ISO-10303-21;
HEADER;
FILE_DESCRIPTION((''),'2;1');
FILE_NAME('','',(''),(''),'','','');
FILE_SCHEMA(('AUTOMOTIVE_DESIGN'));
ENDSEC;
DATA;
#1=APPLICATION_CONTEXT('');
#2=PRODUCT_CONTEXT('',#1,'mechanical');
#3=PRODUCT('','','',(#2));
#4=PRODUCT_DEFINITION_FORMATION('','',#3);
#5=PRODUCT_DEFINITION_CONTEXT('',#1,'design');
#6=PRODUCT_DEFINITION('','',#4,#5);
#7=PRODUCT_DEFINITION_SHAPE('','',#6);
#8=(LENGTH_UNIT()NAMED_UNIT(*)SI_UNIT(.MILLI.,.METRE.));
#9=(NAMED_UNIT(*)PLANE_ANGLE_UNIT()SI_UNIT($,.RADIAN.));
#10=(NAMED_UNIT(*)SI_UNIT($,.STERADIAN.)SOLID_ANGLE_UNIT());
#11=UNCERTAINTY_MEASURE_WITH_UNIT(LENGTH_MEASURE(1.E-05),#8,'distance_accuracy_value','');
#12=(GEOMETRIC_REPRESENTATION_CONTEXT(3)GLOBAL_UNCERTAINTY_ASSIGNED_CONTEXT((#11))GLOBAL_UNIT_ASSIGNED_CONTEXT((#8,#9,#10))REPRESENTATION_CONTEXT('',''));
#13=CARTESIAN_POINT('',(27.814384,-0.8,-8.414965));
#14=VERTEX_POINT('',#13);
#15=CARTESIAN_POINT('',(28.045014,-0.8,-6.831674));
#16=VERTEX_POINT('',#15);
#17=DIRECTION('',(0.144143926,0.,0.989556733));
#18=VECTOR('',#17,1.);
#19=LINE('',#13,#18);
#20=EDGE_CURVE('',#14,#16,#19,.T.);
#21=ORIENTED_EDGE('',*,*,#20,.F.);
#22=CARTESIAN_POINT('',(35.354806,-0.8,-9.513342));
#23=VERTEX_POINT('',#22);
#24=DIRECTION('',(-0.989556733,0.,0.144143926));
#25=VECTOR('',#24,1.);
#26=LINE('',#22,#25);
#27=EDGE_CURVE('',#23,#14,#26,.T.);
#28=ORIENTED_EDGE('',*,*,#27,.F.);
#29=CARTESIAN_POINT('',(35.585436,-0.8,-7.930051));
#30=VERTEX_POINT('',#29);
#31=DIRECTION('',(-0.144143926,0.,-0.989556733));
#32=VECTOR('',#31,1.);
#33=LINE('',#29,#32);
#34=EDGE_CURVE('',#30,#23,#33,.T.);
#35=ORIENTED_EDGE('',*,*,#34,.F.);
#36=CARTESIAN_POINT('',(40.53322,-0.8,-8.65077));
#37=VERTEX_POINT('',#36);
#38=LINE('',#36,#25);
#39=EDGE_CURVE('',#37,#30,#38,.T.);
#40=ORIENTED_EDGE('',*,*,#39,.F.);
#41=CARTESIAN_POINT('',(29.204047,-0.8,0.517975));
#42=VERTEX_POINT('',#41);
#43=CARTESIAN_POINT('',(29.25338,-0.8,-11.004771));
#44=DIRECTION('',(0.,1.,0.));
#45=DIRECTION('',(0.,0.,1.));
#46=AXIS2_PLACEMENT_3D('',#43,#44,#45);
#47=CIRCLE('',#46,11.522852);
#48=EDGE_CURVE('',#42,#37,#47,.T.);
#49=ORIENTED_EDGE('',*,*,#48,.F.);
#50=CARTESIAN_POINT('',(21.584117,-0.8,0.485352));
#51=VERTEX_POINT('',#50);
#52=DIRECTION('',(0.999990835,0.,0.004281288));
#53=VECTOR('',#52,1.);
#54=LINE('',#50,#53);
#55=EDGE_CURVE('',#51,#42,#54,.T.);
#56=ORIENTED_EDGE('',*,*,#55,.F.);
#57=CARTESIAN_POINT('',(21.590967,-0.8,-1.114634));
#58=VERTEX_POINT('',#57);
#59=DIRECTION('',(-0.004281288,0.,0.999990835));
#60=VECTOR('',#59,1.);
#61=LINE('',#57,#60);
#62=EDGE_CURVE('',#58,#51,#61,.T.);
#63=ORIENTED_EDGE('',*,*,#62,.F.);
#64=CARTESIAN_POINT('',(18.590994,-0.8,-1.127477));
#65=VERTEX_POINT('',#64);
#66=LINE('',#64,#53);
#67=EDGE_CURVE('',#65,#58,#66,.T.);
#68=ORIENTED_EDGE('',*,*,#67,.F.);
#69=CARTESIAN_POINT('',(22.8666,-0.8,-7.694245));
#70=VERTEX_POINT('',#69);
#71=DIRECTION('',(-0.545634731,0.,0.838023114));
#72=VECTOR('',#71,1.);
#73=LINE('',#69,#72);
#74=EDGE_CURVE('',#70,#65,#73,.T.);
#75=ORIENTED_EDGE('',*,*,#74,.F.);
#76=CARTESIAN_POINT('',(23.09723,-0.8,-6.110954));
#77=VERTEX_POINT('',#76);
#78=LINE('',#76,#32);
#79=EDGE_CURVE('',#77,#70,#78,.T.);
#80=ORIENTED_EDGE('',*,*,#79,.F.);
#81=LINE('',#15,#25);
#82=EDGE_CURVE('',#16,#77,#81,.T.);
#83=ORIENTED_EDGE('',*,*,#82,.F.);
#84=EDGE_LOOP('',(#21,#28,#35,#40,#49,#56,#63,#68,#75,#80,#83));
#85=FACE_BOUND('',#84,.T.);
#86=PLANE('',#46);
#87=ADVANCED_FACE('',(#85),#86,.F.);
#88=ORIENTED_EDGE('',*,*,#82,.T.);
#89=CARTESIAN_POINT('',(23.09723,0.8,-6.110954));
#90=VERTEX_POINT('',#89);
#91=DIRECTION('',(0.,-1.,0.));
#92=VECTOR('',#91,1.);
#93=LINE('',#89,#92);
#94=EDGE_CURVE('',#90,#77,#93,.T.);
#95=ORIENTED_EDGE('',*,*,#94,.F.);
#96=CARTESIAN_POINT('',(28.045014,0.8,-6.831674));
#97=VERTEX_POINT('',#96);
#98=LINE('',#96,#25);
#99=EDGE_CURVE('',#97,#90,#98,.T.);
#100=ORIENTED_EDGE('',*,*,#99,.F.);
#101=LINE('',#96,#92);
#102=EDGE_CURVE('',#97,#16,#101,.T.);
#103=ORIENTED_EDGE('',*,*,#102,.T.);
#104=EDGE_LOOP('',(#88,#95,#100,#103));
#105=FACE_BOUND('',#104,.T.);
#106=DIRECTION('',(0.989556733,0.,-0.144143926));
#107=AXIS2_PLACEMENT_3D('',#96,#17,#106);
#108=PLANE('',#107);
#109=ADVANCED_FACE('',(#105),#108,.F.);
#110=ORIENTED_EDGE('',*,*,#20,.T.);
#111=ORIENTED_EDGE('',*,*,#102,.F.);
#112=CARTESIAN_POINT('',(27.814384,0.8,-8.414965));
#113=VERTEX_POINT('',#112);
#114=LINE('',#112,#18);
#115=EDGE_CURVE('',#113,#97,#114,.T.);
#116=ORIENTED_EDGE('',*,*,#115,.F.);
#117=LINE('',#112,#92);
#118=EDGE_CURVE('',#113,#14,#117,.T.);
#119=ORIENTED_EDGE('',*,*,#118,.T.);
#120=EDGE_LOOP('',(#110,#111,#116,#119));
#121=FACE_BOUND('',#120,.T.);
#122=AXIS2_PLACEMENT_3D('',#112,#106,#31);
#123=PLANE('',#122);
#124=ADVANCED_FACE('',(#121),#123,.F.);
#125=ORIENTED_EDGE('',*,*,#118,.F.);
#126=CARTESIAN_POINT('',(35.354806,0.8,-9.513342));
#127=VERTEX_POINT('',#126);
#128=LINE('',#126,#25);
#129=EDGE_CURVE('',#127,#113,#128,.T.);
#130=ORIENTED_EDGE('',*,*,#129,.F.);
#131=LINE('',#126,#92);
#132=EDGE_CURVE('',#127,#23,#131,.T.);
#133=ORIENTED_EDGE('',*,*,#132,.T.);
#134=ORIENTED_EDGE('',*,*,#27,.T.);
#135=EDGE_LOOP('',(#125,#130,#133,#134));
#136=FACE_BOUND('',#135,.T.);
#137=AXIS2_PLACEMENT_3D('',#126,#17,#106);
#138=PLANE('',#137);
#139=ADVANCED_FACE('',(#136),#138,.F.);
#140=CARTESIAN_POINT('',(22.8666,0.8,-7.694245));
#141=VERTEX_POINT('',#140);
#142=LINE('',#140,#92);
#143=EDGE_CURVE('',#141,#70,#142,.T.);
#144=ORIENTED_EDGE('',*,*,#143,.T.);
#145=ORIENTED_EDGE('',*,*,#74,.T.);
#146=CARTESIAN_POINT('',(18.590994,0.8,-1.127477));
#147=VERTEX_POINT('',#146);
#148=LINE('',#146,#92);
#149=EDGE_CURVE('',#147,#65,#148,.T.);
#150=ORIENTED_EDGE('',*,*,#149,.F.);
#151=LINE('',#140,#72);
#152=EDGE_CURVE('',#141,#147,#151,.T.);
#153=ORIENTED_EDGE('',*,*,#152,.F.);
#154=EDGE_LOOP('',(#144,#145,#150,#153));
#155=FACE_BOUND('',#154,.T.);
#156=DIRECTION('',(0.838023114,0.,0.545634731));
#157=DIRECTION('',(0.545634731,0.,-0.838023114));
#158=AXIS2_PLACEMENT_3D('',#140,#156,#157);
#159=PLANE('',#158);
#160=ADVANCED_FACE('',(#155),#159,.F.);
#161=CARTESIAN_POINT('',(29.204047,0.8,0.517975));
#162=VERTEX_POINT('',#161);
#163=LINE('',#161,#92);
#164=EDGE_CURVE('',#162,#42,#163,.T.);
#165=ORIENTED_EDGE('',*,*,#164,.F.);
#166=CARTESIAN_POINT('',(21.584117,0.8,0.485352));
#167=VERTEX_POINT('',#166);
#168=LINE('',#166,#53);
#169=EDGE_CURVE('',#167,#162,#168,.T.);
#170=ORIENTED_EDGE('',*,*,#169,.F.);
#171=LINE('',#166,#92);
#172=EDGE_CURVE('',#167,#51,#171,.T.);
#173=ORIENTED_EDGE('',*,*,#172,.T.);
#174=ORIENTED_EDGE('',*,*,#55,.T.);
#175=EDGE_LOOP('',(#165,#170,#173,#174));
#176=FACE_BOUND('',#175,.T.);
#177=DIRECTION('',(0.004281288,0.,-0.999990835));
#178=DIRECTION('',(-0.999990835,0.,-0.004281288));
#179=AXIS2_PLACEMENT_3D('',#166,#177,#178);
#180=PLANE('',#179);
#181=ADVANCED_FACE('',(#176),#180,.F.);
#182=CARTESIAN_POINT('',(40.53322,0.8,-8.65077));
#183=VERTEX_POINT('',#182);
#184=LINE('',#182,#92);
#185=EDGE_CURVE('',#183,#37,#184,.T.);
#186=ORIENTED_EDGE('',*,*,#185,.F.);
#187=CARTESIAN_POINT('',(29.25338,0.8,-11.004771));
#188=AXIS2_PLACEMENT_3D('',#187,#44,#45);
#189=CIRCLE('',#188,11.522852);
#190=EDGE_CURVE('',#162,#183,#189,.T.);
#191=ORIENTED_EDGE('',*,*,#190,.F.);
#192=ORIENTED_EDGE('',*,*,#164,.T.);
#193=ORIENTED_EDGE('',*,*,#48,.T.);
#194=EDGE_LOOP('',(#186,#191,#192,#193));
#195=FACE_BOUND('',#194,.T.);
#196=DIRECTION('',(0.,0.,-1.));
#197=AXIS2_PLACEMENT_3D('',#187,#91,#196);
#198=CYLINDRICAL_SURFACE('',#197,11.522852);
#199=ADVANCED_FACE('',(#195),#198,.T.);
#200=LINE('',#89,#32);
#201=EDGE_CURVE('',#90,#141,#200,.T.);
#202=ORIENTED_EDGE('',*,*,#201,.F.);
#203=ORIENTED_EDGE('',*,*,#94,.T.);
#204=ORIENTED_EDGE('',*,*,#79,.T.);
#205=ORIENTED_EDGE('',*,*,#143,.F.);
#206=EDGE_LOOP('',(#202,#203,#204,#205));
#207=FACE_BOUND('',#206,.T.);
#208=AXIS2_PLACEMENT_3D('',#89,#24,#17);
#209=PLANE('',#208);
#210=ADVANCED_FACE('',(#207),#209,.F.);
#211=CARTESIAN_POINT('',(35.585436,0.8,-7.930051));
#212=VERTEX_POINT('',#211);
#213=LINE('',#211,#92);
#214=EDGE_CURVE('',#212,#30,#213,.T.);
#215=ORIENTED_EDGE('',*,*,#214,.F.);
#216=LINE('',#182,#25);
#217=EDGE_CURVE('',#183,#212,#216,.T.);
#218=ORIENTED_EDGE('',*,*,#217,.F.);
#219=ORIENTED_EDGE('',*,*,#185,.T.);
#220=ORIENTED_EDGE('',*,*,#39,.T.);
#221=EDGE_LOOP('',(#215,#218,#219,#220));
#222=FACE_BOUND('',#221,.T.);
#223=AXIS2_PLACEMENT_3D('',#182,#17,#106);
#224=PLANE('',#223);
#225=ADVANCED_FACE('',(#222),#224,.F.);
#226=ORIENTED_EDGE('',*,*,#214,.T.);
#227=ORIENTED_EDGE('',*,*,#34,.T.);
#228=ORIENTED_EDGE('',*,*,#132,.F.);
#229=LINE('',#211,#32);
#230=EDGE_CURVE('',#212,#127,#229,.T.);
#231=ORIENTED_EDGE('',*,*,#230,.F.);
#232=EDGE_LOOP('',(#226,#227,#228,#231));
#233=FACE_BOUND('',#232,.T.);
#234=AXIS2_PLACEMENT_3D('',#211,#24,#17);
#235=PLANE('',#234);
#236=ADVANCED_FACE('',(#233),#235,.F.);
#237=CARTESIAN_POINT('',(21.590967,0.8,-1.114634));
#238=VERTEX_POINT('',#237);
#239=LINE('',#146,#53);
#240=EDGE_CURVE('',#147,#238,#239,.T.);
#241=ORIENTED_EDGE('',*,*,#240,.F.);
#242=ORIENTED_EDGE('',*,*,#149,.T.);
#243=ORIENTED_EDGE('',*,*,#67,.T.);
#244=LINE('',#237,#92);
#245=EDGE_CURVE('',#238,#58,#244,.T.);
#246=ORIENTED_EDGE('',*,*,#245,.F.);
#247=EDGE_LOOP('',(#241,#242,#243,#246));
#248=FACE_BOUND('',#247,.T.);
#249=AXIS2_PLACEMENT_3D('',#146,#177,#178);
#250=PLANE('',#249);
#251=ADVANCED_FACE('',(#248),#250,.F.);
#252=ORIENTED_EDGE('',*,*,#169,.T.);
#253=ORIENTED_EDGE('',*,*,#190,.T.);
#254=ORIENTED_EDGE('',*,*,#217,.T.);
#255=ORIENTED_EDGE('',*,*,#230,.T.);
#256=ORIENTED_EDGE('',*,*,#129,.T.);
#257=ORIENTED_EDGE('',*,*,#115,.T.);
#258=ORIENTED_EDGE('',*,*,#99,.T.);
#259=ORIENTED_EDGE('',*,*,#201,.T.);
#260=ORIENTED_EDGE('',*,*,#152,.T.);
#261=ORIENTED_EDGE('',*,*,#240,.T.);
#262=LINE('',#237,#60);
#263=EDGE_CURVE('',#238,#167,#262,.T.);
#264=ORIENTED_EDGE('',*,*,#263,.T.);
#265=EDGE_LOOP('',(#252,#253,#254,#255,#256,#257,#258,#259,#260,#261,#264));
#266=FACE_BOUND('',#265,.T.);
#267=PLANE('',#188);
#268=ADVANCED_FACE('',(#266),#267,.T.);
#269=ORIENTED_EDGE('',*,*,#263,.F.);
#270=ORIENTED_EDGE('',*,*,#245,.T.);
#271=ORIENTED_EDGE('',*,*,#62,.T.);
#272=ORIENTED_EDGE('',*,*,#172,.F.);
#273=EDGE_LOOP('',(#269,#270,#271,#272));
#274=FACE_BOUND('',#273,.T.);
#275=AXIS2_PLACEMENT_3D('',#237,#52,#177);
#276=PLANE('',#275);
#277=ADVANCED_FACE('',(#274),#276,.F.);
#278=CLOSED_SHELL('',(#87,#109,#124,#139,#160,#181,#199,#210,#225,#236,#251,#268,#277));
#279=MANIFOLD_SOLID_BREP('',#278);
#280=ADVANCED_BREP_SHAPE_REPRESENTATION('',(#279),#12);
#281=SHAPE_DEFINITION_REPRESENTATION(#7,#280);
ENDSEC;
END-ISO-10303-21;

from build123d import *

# Parameters (mm, degrees)
P_IDAT_VYSUNUT_M1_DEPTH = 0.8


with BuildPart() as part:
    # Skica1 → Přidat vysunutím1 (new, symmetric)
    with BuildSketch(Plane(origin=(0, 0, 0), x_dir=(1, 0, 0), z_dir=(0, 1, 0))):
        with BuildLine():
            Line((21.590966819, 1.114633571), (21.584116759, -0.485351766))
            Line((21.584116759, -0.485351766), (29.204046923, -0.517975177))
            ThreePointArc((29.204046923, -0.517975177), (36.502348534, 2.047731055), (40.53322014, 8.650770428))
            Line((40.53322014, 8.650770428), (35.585436473, 7.930050796))
            Line((35.585436473, 7.930050796), (35.354806191, 9.513341569))
            Line((35.354806191, 9.513341569), (27.814383883, 8.41496485))
            Line((27.814383883, 8.41496485), (28.045014165, 6.831674076))
            Line((28.045014165, 6.831674076), (23.097230499, 6.110954444))
            Line((23.097230499, 6.110954444), (22.866600217, 7.694245217))
            Line((22.866600217, 7.694245217), (18.590994313, 1.127477433))
            Line((18.590994313, 1.127477433), (21.590966819, 1.114633571))
        make_face()
    extrude(amount=P_IDAT_VYSUNUT_M1_DEPTH, both=True)


solid = part.part
